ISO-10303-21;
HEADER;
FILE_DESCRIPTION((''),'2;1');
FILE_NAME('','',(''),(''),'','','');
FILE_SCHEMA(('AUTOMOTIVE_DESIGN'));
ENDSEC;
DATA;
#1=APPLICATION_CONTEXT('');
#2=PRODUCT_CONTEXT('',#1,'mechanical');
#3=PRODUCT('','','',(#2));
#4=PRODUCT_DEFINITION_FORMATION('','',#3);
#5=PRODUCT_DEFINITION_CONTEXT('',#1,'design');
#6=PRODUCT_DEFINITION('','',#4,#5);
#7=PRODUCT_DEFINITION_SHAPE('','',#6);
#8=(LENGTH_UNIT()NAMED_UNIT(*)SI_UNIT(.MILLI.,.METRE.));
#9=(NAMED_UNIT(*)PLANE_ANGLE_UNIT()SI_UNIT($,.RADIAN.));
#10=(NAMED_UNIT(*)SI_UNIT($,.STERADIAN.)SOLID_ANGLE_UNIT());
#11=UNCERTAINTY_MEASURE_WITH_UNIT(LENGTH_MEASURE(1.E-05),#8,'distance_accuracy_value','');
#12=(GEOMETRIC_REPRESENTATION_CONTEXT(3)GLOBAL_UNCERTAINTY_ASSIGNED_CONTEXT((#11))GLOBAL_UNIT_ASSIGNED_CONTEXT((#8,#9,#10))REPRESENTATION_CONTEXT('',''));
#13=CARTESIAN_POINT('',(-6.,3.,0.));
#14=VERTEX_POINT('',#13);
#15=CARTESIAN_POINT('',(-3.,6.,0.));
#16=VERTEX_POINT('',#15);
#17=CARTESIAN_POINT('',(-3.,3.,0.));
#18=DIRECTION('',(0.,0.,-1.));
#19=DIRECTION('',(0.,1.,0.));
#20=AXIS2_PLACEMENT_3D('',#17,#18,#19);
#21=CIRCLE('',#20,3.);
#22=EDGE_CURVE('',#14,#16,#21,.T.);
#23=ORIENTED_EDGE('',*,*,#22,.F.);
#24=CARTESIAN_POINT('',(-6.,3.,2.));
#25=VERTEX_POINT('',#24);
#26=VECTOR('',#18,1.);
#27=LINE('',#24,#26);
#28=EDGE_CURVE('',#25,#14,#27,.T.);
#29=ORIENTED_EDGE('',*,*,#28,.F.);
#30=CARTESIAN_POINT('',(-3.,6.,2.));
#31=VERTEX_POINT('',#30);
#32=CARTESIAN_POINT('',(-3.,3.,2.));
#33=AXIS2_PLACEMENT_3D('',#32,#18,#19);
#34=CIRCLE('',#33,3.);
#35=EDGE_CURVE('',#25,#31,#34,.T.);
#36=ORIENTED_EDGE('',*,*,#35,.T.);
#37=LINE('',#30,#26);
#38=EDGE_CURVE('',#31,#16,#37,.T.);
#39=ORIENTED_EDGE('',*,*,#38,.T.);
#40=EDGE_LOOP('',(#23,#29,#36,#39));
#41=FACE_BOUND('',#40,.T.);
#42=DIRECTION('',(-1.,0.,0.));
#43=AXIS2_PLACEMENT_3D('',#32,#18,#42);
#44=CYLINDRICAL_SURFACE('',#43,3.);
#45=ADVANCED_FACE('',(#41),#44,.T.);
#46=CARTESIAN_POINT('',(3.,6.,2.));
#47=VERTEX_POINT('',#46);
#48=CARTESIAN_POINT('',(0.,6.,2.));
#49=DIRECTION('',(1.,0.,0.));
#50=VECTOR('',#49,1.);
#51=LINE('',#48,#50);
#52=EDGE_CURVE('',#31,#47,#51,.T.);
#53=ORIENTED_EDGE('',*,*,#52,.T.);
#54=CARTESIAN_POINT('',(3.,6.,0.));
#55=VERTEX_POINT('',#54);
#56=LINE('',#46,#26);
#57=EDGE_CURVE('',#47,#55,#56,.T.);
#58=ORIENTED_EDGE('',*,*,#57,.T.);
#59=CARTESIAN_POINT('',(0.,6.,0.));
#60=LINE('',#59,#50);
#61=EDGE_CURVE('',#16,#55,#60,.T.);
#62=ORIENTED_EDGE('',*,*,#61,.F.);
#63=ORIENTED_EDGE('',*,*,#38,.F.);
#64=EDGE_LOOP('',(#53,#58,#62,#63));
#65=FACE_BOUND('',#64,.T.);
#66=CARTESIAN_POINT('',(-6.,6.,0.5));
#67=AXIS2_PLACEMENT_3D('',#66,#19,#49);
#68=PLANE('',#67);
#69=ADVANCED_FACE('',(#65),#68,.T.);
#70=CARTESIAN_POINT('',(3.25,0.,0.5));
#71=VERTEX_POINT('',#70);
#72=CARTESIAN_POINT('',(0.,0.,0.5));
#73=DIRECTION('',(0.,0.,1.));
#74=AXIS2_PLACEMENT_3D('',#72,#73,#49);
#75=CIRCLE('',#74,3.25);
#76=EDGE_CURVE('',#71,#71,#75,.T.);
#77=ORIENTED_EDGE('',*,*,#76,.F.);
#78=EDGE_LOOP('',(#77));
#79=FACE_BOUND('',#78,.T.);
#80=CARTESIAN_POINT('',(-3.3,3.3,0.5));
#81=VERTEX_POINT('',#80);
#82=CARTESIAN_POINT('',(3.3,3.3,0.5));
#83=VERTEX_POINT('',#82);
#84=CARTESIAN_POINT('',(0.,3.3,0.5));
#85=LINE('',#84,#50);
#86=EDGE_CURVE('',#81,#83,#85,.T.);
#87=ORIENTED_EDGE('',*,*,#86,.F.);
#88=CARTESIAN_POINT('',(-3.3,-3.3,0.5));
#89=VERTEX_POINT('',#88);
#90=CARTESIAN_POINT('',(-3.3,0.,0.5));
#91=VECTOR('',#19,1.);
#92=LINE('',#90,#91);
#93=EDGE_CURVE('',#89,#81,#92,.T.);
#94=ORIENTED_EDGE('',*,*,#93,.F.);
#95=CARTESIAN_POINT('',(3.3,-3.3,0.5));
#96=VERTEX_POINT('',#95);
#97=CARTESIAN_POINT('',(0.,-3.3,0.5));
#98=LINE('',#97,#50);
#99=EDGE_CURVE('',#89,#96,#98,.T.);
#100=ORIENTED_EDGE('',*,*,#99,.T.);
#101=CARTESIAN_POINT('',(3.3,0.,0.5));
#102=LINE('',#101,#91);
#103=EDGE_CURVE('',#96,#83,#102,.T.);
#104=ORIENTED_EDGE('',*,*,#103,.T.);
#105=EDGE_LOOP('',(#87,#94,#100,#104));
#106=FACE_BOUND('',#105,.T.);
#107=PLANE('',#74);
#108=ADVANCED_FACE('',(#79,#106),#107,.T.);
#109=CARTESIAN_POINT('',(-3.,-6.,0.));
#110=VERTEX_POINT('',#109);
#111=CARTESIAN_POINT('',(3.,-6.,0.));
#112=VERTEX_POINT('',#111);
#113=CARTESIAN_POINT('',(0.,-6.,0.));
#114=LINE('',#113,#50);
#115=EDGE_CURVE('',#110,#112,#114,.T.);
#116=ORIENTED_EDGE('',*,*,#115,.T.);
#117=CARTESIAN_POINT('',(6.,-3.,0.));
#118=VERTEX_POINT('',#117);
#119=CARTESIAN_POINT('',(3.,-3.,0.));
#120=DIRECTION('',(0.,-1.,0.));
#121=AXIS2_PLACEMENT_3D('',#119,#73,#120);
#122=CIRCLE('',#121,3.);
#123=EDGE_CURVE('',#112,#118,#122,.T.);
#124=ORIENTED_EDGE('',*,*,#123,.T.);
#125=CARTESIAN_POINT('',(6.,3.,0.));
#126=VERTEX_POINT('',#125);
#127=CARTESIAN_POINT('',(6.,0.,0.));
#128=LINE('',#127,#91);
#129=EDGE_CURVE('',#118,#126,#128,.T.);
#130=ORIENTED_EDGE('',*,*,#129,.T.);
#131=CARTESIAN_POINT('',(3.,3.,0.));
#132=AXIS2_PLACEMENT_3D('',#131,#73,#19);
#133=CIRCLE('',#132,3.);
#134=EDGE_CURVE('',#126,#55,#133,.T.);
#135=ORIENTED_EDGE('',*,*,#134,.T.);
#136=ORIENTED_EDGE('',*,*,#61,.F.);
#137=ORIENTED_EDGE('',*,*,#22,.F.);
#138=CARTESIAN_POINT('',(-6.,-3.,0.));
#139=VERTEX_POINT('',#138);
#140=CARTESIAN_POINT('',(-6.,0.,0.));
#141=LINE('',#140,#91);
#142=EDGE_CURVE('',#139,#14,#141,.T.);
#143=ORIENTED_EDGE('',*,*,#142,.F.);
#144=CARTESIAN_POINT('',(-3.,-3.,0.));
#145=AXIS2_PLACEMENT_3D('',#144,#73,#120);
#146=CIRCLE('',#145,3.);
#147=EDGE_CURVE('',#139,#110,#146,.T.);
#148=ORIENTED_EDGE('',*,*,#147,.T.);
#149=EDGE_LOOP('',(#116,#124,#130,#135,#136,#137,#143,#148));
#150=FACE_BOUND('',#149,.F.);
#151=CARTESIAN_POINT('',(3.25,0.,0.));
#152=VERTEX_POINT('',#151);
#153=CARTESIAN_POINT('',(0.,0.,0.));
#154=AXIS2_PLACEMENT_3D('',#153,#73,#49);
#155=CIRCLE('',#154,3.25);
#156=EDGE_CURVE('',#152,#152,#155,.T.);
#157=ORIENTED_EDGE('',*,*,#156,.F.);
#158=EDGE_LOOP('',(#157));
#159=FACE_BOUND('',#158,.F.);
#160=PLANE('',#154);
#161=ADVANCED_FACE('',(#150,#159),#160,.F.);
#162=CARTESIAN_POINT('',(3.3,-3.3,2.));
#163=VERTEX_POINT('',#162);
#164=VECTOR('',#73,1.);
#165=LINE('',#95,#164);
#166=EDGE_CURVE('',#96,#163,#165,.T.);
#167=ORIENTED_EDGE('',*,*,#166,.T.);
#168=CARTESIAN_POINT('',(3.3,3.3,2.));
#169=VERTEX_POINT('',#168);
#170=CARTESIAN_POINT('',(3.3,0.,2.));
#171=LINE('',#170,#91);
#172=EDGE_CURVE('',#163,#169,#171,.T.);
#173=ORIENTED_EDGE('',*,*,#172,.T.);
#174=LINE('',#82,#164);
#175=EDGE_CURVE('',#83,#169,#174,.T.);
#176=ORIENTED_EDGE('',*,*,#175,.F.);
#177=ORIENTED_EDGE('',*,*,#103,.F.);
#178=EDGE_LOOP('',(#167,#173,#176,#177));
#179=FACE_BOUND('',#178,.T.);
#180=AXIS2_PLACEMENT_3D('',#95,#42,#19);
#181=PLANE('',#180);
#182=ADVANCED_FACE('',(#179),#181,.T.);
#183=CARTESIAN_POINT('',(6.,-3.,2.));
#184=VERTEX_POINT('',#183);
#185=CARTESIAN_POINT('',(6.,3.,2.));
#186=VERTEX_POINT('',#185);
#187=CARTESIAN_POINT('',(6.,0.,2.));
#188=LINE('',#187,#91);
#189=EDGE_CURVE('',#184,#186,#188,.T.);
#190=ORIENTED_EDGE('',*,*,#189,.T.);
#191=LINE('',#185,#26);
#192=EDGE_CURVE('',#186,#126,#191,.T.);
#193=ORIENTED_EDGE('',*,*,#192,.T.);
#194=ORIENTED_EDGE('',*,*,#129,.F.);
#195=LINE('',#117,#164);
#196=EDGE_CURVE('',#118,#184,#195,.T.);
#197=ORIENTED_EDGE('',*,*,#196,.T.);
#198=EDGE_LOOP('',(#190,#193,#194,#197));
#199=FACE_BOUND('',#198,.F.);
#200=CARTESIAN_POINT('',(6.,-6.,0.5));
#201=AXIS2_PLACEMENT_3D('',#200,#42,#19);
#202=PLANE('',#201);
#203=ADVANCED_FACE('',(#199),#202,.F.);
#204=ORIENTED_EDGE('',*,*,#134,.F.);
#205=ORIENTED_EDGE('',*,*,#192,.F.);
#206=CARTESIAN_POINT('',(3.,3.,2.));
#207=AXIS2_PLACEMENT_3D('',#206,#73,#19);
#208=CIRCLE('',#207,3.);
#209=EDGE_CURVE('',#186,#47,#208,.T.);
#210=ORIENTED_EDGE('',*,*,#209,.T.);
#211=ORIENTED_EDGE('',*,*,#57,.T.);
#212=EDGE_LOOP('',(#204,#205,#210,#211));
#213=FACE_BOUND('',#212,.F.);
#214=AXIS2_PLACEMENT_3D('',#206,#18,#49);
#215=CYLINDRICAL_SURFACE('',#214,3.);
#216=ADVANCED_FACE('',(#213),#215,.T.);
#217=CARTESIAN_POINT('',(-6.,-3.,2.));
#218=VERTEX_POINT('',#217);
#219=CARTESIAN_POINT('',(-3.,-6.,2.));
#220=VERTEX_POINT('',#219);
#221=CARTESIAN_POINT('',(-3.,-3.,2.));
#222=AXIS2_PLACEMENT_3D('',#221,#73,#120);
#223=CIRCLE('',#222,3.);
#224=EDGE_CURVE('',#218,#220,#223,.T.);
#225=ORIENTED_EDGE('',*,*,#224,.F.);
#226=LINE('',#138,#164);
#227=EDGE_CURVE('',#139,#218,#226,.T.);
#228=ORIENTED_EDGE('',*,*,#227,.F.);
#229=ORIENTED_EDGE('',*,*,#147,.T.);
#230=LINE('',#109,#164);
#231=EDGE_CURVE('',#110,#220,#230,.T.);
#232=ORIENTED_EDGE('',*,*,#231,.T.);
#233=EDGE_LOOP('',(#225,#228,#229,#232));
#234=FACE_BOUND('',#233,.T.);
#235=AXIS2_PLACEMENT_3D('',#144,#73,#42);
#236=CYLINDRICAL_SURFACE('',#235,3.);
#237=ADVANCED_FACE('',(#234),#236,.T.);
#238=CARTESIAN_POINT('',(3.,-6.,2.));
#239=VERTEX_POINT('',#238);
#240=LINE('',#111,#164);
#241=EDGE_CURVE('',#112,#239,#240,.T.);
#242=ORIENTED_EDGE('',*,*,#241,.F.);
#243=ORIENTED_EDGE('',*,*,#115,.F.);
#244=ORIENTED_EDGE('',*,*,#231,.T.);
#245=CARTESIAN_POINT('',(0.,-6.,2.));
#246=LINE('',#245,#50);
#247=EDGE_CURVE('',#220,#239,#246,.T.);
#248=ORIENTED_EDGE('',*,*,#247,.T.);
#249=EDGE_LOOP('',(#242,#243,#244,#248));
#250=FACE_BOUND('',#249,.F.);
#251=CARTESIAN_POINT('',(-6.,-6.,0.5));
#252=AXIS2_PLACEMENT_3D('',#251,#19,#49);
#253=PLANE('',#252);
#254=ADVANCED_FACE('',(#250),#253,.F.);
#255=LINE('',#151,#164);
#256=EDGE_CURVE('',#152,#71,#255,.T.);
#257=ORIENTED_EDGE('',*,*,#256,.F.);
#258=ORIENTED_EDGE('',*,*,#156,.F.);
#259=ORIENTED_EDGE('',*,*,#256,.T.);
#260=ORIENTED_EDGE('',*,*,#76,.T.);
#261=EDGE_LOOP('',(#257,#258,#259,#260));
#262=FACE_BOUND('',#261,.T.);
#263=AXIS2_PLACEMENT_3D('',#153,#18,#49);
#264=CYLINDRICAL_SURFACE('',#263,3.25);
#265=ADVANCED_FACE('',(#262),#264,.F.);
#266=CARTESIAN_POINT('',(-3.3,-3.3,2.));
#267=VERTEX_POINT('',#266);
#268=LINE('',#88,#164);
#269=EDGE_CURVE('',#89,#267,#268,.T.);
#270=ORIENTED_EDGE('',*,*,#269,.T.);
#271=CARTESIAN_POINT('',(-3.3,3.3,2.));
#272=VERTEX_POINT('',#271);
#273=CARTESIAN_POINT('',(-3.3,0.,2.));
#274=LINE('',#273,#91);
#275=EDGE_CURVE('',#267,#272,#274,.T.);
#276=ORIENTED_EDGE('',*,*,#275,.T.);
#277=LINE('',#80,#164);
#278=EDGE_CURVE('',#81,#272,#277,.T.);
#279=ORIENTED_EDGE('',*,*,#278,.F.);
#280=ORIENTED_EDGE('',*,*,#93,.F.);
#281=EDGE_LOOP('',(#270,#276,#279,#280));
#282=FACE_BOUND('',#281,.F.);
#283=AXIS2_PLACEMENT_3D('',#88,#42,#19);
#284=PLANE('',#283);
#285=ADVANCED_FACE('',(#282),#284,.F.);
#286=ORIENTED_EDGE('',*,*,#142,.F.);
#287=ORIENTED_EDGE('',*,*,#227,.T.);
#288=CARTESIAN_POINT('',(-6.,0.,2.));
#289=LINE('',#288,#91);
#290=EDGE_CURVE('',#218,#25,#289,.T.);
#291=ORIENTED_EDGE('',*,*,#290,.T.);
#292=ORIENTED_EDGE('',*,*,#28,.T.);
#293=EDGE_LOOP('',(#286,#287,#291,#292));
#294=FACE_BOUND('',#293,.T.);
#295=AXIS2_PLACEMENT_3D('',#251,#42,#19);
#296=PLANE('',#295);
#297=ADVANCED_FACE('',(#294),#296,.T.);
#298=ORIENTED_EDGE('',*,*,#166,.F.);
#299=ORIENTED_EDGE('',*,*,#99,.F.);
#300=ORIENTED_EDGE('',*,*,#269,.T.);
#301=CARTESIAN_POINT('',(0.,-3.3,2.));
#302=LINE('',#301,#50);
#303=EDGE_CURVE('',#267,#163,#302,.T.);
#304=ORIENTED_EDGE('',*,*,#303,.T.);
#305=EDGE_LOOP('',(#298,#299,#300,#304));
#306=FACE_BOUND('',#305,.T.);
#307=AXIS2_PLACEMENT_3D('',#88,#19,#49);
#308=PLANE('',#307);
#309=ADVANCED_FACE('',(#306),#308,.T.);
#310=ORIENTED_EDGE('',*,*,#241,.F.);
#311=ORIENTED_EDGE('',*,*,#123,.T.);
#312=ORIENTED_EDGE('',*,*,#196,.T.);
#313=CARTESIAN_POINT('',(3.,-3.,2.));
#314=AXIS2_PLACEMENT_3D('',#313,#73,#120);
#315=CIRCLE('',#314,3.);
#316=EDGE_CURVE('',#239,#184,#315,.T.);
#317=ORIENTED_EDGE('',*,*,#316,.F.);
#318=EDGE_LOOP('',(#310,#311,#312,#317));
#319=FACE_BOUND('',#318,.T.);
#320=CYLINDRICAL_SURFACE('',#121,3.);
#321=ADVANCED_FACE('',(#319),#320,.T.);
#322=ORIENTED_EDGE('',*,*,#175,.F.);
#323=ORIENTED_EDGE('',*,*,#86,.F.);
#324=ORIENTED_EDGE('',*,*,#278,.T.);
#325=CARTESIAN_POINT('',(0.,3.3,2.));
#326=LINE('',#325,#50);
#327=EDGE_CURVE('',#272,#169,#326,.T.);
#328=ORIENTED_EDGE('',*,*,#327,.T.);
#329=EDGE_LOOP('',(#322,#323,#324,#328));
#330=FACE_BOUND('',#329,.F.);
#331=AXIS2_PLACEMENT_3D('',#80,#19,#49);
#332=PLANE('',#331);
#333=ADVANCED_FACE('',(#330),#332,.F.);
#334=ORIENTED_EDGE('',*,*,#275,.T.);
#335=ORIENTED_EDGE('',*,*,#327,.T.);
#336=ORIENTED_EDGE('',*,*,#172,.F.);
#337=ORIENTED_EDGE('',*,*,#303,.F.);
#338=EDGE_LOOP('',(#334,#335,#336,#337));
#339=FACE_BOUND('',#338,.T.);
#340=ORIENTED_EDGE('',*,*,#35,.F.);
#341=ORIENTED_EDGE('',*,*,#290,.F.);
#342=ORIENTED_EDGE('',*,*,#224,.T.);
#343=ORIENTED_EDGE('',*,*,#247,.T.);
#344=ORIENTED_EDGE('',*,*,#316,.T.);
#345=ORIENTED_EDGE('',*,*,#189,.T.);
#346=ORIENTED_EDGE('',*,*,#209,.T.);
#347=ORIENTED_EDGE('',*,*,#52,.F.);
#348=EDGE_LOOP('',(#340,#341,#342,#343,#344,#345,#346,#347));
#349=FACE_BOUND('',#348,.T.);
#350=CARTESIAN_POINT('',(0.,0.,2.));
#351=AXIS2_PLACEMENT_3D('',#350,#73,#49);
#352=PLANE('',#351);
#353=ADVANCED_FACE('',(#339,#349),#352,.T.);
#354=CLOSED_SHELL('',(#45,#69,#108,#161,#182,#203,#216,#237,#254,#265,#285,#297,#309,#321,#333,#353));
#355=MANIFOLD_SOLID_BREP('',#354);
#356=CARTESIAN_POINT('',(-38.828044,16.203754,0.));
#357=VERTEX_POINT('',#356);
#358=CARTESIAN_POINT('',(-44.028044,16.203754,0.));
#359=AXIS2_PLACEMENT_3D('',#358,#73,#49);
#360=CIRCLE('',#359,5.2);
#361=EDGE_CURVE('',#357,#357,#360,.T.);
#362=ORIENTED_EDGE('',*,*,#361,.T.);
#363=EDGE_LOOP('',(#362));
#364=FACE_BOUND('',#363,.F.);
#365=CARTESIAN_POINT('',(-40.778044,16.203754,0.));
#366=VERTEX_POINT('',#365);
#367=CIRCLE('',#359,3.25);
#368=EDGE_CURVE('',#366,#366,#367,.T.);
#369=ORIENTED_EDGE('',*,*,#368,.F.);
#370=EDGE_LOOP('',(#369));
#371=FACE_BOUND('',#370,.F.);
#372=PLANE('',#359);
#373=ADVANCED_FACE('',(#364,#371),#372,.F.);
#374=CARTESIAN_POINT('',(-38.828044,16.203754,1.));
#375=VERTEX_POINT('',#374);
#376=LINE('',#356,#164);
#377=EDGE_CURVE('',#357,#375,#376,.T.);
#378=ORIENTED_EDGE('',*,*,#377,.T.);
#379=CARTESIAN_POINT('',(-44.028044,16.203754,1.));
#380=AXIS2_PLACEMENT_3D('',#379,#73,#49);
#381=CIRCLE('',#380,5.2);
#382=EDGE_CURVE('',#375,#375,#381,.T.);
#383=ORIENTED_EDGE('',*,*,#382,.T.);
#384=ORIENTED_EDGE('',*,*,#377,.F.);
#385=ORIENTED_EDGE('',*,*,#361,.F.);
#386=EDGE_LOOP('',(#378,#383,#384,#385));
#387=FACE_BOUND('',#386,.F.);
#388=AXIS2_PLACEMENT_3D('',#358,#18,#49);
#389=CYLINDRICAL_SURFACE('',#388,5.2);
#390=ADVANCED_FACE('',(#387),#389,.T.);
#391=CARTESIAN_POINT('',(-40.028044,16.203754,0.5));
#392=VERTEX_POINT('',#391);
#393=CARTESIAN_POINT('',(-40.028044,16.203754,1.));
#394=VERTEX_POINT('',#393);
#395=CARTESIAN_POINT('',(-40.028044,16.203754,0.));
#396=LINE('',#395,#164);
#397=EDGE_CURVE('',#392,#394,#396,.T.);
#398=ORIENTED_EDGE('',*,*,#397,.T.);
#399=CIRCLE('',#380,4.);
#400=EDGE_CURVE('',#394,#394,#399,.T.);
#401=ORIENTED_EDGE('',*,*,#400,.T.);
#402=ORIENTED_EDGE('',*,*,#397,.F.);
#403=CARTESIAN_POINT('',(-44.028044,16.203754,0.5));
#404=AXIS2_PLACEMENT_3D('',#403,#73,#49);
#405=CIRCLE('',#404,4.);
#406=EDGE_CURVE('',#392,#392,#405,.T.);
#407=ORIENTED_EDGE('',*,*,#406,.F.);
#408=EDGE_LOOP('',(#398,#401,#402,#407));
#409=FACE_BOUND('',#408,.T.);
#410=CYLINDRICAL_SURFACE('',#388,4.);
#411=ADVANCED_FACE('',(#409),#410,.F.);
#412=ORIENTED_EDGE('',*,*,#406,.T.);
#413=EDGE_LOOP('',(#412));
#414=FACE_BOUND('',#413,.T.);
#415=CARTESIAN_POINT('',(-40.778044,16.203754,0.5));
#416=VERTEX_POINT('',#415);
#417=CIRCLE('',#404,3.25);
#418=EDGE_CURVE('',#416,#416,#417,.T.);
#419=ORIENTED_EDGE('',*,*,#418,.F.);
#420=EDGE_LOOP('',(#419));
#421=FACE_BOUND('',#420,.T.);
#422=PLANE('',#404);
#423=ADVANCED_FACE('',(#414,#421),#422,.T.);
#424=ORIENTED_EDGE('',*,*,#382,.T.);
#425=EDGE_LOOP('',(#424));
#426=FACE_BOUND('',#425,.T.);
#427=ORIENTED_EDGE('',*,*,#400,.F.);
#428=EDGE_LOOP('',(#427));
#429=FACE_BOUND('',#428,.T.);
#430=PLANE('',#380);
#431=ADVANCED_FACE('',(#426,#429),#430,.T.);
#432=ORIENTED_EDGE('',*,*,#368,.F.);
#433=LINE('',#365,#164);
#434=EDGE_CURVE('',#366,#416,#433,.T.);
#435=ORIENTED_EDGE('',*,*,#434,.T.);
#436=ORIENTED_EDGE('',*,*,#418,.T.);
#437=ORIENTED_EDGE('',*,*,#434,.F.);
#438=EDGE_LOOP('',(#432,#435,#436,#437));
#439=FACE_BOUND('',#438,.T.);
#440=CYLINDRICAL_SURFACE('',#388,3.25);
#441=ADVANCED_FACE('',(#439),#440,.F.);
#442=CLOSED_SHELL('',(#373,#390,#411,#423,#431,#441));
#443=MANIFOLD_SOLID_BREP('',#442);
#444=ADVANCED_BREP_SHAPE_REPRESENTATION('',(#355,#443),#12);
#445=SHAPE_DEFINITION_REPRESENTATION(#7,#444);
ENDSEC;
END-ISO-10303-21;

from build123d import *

# Parameters (mm, degrees)
F3_W      = 12
F3_H      = 12
F3_R      = 3.25
F4_DEPTH  = 0.5
F5_W      = 12
F5_H      = 12
F5_W_2    = 6.6
F5_H_2    = 6.6
F6_DEPTH  = 1.5
F7_R      = 3
F8_R      = 5.2
F8_R_2    = 4
F9_DEPTH  = 1
F8_R_3    = 3.25
F10_DEPTH = 0.5


with BuildPart() as f4:
    # F3 (on Top) → F4 (new body)
    with BuildSketch(Plane.XY):
        Rectangle(F3_W, F3_H)
        Circle(F3_R, mode=Mode.SUBTRACT)
    extrude(amount=F4_DEPTH)

    # F5 (on face) → F6 (join)
    with BuildSketch(Plane.XY.offset(0.5)):
        Rectangle(F5_W, F5_H)
        Rectangle(F5_W_2, F5_H_2, mode=Mode.SUBTRACT)
    extrude(amount=F6_DEPTH)

    # F7
    f7_edges = [f4.edges().sort_by_distance(p)[0] for p in [
        (-6, 6, 1),
        (6, 6, 1),
        (6, -6, 1),
        (-6, -6, 1),
    ]]
    fillet(f7_edges, radius=F7_R)


with BuildPart() as f9:
    # F8 (on Top) → F9 (new body)
    with BuildSketch(Plane.XY):
        with Locations((-44.0280437469, 16.2037536502)):
            Circle(F8_R)
        with Locations((-44.0280437469, 16.2037536502)):
            Circle(F8_R_2, mode=Mode.SUBTRACT)
    extrude(amount=F9_DEPTH)

    # F8 (on Top) → F10 (join)
    with BuildSketch(Plane.XY):
        with Locations((-44.0280437469, 16.2037536502)):
            Circle(F8_R_2)
        with Locations((-44.0280437469, 16.2037536502)):
            Circle(F8_R_3, mode=Mode.SUBTRACT)
    extrude(amount=F10_DEPTH)


solid = Compound([f4.part, f9.part])
